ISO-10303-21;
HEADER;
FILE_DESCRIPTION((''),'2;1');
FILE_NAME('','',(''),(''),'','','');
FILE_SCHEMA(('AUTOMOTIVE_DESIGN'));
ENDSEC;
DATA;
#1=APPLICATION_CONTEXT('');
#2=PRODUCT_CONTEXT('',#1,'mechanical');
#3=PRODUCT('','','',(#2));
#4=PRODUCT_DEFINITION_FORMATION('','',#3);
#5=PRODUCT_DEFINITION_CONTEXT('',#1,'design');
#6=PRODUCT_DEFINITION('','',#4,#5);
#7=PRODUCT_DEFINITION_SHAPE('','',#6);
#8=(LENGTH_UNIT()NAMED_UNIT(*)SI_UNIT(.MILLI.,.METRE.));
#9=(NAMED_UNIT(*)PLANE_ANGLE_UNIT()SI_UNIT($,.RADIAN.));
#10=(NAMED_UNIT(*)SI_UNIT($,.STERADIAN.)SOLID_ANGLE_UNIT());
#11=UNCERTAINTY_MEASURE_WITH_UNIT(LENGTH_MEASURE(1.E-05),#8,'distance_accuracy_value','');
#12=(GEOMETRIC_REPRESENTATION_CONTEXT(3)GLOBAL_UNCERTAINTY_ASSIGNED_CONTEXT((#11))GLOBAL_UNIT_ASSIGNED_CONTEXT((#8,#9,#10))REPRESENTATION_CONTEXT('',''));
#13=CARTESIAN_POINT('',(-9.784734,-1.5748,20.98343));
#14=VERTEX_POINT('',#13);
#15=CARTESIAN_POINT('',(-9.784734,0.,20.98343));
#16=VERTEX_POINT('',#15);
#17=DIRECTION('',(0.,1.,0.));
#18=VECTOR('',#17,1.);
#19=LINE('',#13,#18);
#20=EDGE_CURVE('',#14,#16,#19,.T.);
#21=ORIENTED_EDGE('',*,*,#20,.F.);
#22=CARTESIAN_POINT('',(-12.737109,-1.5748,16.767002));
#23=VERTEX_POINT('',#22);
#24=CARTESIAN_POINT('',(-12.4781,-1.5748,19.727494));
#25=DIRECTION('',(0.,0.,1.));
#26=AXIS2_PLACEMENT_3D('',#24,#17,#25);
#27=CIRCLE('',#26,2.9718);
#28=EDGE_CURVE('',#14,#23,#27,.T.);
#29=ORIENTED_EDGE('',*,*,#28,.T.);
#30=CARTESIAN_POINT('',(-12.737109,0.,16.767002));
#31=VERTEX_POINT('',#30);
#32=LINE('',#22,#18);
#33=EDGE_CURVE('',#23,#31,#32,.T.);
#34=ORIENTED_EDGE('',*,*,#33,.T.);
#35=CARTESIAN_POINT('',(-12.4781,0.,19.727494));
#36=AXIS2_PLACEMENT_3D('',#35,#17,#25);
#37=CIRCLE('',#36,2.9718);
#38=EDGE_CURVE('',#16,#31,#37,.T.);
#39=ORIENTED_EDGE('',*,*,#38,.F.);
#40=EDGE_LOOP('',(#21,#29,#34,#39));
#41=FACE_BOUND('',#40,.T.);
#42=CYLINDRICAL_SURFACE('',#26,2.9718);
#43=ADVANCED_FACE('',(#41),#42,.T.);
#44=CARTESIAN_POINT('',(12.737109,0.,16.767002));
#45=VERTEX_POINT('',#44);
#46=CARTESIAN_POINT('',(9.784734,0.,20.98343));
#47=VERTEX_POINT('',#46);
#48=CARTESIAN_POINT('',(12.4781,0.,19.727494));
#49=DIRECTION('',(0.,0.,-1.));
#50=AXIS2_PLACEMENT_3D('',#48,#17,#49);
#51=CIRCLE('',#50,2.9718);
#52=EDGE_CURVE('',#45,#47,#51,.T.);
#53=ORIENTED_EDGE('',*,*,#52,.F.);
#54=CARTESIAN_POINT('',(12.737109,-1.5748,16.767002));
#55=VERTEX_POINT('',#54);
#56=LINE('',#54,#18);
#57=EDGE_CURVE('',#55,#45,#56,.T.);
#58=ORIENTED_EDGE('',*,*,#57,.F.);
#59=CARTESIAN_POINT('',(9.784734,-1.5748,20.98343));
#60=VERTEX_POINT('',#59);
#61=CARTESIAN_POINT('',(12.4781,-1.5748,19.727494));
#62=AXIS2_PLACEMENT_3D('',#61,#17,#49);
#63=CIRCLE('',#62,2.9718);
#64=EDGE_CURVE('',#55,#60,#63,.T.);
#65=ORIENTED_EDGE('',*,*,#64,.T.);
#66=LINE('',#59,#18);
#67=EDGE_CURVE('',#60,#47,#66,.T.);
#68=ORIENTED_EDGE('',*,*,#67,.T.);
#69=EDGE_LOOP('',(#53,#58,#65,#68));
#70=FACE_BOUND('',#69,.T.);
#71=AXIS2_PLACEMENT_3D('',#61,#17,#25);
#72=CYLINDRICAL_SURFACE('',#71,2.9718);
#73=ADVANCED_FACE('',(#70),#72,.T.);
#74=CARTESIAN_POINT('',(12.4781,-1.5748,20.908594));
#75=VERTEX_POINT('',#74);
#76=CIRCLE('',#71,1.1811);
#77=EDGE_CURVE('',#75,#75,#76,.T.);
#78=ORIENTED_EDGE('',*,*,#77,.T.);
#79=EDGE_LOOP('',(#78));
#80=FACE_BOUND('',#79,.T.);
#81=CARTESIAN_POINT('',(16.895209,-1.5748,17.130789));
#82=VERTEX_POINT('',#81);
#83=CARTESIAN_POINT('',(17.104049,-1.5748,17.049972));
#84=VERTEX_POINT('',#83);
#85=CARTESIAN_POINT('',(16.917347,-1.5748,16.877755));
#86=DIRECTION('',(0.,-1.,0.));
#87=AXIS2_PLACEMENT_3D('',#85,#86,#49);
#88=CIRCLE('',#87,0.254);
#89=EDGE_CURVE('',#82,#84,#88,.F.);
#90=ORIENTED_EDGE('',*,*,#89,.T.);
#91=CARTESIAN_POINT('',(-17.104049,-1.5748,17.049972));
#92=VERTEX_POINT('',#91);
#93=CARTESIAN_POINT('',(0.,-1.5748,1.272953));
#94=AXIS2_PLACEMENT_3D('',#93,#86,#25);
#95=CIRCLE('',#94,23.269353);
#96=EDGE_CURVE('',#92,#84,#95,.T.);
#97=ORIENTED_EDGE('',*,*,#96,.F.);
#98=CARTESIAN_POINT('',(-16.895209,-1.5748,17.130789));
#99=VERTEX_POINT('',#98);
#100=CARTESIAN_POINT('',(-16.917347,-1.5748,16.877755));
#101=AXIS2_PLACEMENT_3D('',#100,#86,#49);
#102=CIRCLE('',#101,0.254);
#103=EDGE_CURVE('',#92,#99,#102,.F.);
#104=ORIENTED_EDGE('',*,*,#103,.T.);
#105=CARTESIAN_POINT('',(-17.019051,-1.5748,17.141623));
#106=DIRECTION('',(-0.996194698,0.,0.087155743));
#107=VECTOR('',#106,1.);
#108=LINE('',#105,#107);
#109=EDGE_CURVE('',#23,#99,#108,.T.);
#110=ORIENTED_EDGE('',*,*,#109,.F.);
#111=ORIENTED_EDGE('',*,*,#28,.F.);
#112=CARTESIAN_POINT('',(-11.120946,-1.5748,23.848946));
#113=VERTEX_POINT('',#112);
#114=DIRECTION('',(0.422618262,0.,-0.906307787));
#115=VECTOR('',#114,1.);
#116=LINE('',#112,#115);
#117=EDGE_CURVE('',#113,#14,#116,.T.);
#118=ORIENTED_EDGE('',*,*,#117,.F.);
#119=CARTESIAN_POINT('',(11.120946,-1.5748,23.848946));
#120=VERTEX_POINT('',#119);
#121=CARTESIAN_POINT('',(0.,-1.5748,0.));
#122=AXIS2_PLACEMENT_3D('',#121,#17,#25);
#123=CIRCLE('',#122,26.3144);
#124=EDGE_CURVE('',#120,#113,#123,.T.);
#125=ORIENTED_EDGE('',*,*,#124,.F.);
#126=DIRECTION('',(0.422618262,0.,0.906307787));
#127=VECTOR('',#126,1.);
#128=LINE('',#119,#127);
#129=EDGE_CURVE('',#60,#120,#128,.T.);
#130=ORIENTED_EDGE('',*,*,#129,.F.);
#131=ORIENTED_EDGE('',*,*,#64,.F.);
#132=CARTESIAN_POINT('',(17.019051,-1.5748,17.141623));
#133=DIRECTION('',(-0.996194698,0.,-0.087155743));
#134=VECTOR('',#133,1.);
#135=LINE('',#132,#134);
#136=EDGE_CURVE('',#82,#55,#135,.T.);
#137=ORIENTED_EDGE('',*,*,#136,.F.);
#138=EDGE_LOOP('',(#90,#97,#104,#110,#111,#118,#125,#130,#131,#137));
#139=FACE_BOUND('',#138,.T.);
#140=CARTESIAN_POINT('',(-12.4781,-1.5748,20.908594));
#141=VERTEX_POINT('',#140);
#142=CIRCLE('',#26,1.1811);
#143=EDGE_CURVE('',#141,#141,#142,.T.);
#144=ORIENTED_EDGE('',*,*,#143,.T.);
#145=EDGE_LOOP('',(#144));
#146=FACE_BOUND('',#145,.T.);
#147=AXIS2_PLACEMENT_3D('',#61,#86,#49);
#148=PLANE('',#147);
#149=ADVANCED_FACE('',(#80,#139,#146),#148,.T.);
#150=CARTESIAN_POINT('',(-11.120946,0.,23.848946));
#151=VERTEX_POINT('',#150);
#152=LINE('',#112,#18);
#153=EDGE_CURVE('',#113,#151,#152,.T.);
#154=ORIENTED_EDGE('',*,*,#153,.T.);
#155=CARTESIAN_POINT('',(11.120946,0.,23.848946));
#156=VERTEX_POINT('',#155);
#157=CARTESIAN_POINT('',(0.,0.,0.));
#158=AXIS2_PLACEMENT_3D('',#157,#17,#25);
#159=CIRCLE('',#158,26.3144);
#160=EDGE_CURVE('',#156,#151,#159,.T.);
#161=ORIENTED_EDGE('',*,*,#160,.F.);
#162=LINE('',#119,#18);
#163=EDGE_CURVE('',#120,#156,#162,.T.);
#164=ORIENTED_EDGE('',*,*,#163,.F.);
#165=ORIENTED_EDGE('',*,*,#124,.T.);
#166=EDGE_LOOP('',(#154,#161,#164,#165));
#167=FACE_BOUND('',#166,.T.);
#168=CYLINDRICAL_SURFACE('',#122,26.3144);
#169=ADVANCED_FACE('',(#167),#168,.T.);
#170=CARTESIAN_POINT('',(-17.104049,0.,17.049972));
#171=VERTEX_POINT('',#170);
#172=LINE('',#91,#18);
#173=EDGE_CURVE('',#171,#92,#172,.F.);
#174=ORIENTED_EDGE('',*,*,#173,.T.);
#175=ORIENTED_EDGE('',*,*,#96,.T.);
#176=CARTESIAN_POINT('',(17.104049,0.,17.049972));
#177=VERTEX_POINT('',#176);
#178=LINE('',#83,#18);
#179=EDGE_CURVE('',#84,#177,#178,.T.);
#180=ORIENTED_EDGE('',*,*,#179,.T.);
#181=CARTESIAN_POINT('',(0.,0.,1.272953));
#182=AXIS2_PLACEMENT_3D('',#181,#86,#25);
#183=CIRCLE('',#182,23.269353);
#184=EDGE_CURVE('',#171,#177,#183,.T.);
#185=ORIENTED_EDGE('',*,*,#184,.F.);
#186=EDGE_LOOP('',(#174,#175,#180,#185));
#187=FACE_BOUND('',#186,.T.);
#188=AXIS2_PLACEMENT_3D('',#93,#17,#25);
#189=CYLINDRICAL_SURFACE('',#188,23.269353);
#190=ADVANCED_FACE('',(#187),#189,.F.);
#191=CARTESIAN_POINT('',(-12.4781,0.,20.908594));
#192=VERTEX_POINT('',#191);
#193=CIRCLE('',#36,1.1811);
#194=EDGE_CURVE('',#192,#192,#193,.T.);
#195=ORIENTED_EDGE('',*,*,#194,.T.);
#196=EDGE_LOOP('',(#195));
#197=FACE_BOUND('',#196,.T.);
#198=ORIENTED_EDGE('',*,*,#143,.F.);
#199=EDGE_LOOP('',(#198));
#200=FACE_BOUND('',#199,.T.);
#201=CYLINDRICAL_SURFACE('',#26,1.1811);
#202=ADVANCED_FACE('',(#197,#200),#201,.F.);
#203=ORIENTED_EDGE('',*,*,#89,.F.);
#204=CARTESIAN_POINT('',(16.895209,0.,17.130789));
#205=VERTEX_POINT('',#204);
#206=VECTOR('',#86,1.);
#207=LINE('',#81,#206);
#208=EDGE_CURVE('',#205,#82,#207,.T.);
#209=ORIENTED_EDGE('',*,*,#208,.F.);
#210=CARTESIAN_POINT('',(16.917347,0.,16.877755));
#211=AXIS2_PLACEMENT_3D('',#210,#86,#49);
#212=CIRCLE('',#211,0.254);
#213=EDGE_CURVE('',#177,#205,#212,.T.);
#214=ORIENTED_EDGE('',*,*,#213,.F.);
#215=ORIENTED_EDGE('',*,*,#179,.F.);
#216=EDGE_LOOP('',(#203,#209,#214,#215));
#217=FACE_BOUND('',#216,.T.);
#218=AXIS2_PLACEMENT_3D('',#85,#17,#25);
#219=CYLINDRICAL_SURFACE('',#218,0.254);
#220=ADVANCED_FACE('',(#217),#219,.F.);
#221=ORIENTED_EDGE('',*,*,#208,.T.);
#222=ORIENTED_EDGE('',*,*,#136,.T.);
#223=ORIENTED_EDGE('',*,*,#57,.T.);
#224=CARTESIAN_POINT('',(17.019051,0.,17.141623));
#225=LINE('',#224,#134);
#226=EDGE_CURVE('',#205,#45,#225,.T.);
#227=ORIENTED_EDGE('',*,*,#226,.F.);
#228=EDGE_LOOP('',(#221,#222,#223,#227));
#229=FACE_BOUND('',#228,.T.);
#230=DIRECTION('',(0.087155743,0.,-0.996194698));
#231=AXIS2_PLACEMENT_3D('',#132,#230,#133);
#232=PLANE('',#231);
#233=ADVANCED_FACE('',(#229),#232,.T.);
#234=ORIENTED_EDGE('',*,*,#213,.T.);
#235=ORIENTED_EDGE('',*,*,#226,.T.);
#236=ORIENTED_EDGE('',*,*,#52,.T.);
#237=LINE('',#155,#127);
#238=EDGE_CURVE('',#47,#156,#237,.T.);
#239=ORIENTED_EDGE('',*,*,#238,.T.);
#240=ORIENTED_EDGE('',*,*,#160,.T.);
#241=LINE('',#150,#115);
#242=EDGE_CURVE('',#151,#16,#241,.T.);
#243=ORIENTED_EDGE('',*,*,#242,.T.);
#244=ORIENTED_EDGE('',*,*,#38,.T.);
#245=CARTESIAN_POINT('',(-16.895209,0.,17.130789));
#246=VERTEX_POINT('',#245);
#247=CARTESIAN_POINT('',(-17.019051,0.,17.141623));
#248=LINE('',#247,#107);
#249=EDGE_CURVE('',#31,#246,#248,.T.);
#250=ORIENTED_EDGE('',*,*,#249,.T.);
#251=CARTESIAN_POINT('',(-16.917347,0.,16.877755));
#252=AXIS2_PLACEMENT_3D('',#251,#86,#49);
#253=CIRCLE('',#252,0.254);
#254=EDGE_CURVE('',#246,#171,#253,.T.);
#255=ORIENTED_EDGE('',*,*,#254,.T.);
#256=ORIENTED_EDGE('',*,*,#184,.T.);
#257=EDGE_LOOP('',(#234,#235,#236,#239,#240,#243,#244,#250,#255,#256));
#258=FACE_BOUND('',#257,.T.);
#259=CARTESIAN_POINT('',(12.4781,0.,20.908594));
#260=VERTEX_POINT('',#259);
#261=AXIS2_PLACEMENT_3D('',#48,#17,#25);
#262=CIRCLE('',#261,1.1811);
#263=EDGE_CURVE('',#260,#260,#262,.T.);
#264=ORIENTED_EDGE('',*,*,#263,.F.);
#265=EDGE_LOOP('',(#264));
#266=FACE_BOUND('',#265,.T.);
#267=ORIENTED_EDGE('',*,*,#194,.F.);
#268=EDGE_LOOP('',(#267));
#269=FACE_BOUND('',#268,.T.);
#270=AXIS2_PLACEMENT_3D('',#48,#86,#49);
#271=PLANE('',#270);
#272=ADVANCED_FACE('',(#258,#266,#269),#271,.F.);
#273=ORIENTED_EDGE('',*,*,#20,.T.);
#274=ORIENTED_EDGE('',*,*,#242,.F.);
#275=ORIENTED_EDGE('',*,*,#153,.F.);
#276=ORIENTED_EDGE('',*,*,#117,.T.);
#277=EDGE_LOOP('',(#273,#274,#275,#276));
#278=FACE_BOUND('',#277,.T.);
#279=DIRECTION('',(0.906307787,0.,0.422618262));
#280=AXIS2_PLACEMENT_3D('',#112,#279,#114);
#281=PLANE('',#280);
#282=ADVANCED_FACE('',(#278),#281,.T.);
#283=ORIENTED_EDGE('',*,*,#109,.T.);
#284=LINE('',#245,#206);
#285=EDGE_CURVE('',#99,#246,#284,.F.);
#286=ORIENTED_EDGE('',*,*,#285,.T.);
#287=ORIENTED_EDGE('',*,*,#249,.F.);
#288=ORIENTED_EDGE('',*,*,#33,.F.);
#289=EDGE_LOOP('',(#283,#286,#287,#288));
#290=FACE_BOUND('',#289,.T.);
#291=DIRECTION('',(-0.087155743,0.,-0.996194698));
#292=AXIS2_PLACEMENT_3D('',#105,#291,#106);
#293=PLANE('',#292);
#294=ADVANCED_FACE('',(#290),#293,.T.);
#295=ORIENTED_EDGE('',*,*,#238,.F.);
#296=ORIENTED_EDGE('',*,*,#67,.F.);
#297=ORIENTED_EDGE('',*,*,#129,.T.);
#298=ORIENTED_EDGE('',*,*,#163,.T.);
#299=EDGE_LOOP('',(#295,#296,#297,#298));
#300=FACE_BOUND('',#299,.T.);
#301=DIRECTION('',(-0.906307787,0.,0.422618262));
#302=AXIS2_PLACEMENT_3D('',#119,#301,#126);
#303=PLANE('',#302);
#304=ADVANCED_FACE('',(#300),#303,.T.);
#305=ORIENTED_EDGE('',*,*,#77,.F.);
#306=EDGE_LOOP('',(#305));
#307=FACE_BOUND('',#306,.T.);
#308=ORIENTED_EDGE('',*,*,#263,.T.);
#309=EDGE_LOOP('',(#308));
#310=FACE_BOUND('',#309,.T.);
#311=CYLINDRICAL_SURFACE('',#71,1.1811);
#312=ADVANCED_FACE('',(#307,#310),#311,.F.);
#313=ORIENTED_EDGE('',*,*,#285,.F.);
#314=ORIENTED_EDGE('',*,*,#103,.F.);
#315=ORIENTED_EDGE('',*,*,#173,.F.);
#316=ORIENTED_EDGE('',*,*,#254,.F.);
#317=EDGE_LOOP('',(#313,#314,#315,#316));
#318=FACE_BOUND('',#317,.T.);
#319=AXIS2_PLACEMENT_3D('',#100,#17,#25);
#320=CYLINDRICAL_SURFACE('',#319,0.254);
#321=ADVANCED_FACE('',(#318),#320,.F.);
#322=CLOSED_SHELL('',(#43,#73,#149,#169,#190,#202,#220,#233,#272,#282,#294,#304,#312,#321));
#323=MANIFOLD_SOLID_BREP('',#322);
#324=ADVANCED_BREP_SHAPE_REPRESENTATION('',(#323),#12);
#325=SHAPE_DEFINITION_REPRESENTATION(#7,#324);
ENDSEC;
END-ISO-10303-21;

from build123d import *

# Parameters (mm, degrees)
SKETCH2_R      = 1.1811
EXTRUDE1_DEPTH = 1.5748
FILLET1_R      = 0.254


with BuildPart() as part:
    # Sketch2 → Extrude1 (new body)
    with BuildSketch(Plane(origin=(0, 0, 0), x_dir=(1, 0, 0), z_dir=(0, 1, 0))):
        with BuildLine():
            Line((11.120945987, -23.848945631), (9.784734318, -20.98343046))
            ThreePointArc((9.784734318, -20.98343046), (10.043743754, -18.022939056), (12.737109235, -16.767002106))
            Line((12.737109235, -16.767002106), (17.019050922, -17.141623461))
            ThreePointArc((17.019050922, -17.141623461), (0, 21.9964), (-17.019050922, -17.141623461))
            Line((-17.019050922, -17.141623461), (-12.737109235, -16.767002106))
            ThreePointArc((-12.737109235, -16.767002106), (-10.043743754, -18.022939056), (-9.784734318, -20.98343046))
            Line((-9.784734318, -20.98343046), (-11.120945987, -23.848945631))
            ThreePointArc((-11.120945987, -23.848945631), (0, 26.3144), (11.120945987, -23.848945631))
        make_face()
        with Locations(Location((12.478099799, -19.727493509, 0), (0, 0, 270))):
            Circle(SKETCH2_R, mode=Mode.SUBTRACT)
        with Locations(Location((-12.478099799, -19.727493509, 0), (0, 0, 270))):
            Circle(SKETCH2_R, mode=Mode.SUBTRACT)
    extrude(amount=-EXTRUDE1_DEPTH)

    # Fillet1
    fillet1_edges = [part.edges().sort_by_distance(p)[0] for p in [
        (17.019050922, -0.7874, 17.141623461),
        (-17.019050922, -0.7874, 17.141623461),
    ]]
    fillet(fillet1_edges, radius=FILLET1_R)


solid = part.part
